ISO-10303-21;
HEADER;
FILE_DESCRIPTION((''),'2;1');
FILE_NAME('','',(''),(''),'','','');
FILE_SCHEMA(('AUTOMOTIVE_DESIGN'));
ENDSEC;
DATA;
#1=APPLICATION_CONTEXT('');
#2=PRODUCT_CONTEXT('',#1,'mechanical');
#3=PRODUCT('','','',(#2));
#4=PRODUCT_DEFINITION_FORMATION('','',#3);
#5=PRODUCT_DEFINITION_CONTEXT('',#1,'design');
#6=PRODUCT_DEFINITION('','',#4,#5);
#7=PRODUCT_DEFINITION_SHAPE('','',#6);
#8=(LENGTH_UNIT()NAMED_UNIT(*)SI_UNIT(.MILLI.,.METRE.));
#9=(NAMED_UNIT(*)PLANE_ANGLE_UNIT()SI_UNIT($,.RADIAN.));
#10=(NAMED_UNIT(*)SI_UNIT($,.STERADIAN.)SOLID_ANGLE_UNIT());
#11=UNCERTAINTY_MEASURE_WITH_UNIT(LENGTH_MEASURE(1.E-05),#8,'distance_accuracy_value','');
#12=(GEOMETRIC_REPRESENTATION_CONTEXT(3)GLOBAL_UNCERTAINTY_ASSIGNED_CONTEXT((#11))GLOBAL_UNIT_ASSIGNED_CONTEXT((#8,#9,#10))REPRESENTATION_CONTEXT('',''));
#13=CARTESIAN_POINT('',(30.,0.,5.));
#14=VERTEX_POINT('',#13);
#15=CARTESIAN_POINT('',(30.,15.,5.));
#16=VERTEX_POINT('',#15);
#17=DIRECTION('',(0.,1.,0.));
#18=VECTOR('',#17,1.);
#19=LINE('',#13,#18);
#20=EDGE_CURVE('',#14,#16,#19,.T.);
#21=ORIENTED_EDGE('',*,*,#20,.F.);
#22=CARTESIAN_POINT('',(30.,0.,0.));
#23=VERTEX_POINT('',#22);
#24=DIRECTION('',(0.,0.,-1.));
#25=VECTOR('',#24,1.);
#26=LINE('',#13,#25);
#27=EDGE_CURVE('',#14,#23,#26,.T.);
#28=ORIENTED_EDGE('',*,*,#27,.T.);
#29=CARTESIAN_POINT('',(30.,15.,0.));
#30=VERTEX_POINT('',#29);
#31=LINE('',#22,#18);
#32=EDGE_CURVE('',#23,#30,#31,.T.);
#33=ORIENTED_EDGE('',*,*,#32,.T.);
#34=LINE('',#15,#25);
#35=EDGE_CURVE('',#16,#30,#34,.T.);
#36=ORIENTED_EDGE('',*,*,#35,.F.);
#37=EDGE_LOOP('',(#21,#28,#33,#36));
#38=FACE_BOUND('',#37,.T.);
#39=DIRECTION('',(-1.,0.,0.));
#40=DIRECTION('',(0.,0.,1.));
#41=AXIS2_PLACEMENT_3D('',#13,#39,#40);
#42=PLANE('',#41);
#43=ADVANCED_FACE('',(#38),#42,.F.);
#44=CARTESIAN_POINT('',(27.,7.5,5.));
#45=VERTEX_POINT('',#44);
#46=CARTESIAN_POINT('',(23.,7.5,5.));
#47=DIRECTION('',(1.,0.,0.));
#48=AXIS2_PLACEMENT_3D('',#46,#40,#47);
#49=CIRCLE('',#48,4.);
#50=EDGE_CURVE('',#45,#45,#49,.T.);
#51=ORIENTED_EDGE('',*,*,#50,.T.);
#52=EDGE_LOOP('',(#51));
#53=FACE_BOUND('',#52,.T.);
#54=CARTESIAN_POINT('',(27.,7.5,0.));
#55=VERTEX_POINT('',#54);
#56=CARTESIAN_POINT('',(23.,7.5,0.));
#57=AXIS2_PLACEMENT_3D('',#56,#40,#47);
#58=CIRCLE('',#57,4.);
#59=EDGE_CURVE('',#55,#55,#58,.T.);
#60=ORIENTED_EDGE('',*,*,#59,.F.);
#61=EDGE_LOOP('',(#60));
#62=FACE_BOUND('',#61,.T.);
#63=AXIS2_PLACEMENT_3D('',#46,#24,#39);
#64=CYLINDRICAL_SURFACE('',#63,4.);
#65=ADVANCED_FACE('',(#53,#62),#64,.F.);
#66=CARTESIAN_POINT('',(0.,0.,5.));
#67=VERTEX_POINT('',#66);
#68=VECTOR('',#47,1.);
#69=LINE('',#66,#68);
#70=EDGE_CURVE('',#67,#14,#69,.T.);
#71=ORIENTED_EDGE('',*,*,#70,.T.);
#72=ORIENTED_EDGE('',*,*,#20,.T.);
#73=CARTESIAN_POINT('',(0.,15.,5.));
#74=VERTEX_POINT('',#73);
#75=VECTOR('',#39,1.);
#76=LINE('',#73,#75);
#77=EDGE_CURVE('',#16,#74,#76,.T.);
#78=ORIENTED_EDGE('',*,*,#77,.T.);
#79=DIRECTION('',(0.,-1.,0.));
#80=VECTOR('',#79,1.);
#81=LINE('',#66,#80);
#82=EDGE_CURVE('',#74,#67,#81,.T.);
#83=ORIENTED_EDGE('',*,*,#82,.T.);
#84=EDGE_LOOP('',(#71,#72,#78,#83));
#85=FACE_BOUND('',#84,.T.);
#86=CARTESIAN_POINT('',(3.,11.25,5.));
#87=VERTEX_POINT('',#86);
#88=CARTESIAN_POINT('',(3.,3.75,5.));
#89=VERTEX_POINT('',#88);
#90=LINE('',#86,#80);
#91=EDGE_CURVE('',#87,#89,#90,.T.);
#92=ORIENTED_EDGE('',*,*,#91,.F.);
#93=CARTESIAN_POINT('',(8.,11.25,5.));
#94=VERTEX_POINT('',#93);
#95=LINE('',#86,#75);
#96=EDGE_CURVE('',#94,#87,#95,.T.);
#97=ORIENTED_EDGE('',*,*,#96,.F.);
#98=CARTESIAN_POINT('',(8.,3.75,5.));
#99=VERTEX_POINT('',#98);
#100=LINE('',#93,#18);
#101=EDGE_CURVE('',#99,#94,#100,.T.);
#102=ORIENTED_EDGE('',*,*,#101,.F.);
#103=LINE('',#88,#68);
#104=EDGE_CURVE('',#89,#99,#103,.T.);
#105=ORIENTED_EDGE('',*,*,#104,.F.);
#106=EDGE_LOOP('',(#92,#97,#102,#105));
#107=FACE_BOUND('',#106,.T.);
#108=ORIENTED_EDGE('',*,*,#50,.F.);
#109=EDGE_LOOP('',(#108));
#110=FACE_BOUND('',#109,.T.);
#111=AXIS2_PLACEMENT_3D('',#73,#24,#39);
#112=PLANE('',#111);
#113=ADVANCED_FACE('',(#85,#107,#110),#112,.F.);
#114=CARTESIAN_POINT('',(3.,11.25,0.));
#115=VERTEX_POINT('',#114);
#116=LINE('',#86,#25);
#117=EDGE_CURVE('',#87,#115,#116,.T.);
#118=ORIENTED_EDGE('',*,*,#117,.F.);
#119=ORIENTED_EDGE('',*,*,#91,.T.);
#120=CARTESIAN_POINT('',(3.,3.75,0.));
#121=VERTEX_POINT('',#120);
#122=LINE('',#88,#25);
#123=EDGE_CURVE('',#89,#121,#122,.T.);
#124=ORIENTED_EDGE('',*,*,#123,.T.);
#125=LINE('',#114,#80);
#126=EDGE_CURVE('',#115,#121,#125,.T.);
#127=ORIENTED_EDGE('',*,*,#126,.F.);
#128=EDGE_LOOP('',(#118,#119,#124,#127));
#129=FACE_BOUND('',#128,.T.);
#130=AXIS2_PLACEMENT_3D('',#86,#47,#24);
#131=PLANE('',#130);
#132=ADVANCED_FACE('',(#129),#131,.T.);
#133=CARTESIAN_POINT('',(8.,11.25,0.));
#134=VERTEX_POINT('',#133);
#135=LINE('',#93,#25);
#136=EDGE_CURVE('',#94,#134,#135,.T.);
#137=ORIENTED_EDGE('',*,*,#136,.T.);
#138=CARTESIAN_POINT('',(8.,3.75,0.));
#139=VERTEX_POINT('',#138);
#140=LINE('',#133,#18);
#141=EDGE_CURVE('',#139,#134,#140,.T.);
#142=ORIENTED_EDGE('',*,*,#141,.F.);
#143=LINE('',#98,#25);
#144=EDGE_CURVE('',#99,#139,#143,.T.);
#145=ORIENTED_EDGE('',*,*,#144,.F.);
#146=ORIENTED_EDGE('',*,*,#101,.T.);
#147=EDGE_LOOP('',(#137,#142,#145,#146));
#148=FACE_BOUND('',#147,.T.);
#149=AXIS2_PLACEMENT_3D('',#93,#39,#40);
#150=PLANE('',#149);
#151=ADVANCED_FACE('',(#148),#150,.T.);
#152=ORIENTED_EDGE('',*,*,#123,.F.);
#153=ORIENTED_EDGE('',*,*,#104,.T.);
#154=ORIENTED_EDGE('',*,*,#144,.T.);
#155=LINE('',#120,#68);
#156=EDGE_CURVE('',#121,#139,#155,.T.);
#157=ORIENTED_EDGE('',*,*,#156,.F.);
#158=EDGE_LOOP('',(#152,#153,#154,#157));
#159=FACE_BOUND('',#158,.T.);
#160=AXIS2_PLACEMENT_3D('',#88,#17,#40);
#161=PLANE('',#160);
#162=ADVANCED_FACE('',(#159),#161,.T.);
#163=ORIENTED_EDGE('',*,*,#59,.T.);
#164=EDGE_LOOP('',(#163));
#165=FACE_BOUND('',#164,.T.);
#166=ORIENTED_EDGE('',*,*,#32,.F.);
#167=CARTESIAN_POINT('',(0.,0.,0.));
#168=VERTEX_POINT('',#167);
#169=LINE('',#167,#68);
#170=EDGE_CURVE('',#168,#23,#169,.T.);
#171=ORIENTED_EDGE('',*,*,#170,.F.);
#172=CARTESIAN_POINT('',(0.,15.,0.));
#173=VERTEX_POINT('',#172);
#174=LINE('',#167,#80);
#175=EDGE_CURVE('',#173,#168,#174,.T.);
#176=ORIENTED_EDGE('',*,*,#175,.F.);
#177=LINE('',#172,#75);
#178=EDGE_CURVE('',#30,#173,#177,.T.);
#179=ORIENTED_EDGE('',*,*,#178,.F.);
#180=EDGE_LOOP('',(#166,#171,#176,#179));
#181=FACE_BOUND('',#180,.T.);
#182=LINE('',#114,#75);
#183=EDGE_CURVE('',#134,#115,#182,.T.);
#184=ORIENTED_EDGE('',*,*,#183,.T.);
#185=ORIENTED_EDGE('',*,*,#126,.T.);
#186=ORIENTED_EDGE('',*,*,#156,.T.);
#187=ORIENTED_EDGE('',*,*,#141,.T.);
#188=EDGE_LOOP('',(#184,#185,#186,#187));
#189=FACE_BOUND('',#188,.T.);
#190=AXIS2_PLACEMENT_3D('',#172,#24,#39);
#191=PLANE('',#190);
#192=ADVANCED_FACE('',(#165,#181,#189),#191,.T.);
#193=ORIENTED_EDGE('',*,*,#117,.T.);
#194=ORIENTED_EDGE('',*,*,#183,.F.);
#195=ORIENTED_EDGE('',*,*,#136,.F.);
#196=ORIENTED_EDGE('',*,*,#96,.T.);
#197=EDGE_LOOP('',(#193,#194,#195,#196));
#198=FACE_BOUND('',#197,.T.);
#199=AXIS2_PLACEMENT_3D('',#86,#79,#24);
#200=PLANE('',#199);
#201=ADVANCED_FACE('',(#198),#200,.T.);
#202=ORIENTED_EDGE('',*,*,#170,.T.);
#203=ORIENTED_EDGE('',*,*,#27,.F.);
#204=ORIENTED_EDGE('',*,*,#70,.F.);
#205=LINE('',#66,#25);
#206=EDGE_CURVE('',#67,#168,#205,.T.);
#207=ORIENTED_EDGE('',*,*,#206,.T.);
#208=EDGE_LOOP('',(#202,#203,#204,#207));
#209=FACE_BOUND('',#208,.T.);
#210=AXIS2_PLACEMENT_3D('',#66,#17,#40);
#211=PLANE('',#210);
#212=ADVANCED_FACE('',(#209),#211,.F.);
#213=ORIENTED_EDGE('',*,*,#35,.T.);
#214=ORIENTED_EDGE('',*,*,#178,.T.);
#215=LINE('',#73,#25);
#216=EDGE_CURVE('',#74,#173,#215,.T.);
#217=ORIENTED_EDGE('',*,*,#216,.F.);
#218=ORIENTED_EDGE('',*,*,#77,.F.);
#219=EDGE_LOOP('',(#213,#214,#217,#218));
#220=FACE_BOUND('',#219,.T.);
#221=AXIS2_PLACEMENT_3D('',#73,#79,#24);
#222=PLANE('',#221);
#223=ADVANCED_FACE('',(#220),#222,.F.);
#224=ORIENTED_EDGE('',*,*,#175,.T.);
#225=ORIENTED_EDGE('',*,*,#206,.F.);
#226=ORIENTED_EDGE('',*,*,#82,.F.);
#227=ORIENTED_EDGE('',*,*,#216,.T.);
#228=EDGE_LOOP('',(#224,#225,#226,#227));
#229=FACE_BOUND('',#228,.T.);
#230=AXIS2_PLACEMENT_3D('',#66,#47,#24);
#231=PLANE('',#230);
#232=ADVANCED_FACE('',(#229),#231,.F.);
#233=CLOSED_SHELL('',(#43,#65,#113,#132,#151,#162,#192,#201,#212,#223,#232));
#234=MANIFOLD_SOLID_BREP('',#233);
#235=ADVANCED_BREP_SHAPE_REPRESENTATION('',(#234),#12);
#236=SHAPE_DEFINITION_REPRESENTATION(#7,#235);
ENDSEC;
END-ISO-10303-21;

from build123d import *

# Parameters (mm, degrees)
SKETCH1_W           = 30
SKETCH1_H           = 15
SKETCH1_R           = 4
SKETCH1_W_2         = 5
SKETCH1_H_2         = 7.5
BOSS_EXTRUDE1_DEPTH = 5


with BuildPart() as part:
    # Sketch1 → Boss-Extrude1 (new body)
    with BuildSketch(Plane.XY):
        with Locations((15, 7.5)):
            Rectangle(SKETCH1_W, SKETCH1_H)
        with Locations((23, 7.5)):
            Circle(SKETCH1_R, mode=Mode.SUBTRACT)
        with Locations((5.5, 7.5)):
            Rectangle(SKETCH1_W_2, SKETCH1_H_2, mode=Mode.SUBTRACT)
    extrude(amount=BOSS_EXTRUDE1_DEPTH)


solid = part.part
